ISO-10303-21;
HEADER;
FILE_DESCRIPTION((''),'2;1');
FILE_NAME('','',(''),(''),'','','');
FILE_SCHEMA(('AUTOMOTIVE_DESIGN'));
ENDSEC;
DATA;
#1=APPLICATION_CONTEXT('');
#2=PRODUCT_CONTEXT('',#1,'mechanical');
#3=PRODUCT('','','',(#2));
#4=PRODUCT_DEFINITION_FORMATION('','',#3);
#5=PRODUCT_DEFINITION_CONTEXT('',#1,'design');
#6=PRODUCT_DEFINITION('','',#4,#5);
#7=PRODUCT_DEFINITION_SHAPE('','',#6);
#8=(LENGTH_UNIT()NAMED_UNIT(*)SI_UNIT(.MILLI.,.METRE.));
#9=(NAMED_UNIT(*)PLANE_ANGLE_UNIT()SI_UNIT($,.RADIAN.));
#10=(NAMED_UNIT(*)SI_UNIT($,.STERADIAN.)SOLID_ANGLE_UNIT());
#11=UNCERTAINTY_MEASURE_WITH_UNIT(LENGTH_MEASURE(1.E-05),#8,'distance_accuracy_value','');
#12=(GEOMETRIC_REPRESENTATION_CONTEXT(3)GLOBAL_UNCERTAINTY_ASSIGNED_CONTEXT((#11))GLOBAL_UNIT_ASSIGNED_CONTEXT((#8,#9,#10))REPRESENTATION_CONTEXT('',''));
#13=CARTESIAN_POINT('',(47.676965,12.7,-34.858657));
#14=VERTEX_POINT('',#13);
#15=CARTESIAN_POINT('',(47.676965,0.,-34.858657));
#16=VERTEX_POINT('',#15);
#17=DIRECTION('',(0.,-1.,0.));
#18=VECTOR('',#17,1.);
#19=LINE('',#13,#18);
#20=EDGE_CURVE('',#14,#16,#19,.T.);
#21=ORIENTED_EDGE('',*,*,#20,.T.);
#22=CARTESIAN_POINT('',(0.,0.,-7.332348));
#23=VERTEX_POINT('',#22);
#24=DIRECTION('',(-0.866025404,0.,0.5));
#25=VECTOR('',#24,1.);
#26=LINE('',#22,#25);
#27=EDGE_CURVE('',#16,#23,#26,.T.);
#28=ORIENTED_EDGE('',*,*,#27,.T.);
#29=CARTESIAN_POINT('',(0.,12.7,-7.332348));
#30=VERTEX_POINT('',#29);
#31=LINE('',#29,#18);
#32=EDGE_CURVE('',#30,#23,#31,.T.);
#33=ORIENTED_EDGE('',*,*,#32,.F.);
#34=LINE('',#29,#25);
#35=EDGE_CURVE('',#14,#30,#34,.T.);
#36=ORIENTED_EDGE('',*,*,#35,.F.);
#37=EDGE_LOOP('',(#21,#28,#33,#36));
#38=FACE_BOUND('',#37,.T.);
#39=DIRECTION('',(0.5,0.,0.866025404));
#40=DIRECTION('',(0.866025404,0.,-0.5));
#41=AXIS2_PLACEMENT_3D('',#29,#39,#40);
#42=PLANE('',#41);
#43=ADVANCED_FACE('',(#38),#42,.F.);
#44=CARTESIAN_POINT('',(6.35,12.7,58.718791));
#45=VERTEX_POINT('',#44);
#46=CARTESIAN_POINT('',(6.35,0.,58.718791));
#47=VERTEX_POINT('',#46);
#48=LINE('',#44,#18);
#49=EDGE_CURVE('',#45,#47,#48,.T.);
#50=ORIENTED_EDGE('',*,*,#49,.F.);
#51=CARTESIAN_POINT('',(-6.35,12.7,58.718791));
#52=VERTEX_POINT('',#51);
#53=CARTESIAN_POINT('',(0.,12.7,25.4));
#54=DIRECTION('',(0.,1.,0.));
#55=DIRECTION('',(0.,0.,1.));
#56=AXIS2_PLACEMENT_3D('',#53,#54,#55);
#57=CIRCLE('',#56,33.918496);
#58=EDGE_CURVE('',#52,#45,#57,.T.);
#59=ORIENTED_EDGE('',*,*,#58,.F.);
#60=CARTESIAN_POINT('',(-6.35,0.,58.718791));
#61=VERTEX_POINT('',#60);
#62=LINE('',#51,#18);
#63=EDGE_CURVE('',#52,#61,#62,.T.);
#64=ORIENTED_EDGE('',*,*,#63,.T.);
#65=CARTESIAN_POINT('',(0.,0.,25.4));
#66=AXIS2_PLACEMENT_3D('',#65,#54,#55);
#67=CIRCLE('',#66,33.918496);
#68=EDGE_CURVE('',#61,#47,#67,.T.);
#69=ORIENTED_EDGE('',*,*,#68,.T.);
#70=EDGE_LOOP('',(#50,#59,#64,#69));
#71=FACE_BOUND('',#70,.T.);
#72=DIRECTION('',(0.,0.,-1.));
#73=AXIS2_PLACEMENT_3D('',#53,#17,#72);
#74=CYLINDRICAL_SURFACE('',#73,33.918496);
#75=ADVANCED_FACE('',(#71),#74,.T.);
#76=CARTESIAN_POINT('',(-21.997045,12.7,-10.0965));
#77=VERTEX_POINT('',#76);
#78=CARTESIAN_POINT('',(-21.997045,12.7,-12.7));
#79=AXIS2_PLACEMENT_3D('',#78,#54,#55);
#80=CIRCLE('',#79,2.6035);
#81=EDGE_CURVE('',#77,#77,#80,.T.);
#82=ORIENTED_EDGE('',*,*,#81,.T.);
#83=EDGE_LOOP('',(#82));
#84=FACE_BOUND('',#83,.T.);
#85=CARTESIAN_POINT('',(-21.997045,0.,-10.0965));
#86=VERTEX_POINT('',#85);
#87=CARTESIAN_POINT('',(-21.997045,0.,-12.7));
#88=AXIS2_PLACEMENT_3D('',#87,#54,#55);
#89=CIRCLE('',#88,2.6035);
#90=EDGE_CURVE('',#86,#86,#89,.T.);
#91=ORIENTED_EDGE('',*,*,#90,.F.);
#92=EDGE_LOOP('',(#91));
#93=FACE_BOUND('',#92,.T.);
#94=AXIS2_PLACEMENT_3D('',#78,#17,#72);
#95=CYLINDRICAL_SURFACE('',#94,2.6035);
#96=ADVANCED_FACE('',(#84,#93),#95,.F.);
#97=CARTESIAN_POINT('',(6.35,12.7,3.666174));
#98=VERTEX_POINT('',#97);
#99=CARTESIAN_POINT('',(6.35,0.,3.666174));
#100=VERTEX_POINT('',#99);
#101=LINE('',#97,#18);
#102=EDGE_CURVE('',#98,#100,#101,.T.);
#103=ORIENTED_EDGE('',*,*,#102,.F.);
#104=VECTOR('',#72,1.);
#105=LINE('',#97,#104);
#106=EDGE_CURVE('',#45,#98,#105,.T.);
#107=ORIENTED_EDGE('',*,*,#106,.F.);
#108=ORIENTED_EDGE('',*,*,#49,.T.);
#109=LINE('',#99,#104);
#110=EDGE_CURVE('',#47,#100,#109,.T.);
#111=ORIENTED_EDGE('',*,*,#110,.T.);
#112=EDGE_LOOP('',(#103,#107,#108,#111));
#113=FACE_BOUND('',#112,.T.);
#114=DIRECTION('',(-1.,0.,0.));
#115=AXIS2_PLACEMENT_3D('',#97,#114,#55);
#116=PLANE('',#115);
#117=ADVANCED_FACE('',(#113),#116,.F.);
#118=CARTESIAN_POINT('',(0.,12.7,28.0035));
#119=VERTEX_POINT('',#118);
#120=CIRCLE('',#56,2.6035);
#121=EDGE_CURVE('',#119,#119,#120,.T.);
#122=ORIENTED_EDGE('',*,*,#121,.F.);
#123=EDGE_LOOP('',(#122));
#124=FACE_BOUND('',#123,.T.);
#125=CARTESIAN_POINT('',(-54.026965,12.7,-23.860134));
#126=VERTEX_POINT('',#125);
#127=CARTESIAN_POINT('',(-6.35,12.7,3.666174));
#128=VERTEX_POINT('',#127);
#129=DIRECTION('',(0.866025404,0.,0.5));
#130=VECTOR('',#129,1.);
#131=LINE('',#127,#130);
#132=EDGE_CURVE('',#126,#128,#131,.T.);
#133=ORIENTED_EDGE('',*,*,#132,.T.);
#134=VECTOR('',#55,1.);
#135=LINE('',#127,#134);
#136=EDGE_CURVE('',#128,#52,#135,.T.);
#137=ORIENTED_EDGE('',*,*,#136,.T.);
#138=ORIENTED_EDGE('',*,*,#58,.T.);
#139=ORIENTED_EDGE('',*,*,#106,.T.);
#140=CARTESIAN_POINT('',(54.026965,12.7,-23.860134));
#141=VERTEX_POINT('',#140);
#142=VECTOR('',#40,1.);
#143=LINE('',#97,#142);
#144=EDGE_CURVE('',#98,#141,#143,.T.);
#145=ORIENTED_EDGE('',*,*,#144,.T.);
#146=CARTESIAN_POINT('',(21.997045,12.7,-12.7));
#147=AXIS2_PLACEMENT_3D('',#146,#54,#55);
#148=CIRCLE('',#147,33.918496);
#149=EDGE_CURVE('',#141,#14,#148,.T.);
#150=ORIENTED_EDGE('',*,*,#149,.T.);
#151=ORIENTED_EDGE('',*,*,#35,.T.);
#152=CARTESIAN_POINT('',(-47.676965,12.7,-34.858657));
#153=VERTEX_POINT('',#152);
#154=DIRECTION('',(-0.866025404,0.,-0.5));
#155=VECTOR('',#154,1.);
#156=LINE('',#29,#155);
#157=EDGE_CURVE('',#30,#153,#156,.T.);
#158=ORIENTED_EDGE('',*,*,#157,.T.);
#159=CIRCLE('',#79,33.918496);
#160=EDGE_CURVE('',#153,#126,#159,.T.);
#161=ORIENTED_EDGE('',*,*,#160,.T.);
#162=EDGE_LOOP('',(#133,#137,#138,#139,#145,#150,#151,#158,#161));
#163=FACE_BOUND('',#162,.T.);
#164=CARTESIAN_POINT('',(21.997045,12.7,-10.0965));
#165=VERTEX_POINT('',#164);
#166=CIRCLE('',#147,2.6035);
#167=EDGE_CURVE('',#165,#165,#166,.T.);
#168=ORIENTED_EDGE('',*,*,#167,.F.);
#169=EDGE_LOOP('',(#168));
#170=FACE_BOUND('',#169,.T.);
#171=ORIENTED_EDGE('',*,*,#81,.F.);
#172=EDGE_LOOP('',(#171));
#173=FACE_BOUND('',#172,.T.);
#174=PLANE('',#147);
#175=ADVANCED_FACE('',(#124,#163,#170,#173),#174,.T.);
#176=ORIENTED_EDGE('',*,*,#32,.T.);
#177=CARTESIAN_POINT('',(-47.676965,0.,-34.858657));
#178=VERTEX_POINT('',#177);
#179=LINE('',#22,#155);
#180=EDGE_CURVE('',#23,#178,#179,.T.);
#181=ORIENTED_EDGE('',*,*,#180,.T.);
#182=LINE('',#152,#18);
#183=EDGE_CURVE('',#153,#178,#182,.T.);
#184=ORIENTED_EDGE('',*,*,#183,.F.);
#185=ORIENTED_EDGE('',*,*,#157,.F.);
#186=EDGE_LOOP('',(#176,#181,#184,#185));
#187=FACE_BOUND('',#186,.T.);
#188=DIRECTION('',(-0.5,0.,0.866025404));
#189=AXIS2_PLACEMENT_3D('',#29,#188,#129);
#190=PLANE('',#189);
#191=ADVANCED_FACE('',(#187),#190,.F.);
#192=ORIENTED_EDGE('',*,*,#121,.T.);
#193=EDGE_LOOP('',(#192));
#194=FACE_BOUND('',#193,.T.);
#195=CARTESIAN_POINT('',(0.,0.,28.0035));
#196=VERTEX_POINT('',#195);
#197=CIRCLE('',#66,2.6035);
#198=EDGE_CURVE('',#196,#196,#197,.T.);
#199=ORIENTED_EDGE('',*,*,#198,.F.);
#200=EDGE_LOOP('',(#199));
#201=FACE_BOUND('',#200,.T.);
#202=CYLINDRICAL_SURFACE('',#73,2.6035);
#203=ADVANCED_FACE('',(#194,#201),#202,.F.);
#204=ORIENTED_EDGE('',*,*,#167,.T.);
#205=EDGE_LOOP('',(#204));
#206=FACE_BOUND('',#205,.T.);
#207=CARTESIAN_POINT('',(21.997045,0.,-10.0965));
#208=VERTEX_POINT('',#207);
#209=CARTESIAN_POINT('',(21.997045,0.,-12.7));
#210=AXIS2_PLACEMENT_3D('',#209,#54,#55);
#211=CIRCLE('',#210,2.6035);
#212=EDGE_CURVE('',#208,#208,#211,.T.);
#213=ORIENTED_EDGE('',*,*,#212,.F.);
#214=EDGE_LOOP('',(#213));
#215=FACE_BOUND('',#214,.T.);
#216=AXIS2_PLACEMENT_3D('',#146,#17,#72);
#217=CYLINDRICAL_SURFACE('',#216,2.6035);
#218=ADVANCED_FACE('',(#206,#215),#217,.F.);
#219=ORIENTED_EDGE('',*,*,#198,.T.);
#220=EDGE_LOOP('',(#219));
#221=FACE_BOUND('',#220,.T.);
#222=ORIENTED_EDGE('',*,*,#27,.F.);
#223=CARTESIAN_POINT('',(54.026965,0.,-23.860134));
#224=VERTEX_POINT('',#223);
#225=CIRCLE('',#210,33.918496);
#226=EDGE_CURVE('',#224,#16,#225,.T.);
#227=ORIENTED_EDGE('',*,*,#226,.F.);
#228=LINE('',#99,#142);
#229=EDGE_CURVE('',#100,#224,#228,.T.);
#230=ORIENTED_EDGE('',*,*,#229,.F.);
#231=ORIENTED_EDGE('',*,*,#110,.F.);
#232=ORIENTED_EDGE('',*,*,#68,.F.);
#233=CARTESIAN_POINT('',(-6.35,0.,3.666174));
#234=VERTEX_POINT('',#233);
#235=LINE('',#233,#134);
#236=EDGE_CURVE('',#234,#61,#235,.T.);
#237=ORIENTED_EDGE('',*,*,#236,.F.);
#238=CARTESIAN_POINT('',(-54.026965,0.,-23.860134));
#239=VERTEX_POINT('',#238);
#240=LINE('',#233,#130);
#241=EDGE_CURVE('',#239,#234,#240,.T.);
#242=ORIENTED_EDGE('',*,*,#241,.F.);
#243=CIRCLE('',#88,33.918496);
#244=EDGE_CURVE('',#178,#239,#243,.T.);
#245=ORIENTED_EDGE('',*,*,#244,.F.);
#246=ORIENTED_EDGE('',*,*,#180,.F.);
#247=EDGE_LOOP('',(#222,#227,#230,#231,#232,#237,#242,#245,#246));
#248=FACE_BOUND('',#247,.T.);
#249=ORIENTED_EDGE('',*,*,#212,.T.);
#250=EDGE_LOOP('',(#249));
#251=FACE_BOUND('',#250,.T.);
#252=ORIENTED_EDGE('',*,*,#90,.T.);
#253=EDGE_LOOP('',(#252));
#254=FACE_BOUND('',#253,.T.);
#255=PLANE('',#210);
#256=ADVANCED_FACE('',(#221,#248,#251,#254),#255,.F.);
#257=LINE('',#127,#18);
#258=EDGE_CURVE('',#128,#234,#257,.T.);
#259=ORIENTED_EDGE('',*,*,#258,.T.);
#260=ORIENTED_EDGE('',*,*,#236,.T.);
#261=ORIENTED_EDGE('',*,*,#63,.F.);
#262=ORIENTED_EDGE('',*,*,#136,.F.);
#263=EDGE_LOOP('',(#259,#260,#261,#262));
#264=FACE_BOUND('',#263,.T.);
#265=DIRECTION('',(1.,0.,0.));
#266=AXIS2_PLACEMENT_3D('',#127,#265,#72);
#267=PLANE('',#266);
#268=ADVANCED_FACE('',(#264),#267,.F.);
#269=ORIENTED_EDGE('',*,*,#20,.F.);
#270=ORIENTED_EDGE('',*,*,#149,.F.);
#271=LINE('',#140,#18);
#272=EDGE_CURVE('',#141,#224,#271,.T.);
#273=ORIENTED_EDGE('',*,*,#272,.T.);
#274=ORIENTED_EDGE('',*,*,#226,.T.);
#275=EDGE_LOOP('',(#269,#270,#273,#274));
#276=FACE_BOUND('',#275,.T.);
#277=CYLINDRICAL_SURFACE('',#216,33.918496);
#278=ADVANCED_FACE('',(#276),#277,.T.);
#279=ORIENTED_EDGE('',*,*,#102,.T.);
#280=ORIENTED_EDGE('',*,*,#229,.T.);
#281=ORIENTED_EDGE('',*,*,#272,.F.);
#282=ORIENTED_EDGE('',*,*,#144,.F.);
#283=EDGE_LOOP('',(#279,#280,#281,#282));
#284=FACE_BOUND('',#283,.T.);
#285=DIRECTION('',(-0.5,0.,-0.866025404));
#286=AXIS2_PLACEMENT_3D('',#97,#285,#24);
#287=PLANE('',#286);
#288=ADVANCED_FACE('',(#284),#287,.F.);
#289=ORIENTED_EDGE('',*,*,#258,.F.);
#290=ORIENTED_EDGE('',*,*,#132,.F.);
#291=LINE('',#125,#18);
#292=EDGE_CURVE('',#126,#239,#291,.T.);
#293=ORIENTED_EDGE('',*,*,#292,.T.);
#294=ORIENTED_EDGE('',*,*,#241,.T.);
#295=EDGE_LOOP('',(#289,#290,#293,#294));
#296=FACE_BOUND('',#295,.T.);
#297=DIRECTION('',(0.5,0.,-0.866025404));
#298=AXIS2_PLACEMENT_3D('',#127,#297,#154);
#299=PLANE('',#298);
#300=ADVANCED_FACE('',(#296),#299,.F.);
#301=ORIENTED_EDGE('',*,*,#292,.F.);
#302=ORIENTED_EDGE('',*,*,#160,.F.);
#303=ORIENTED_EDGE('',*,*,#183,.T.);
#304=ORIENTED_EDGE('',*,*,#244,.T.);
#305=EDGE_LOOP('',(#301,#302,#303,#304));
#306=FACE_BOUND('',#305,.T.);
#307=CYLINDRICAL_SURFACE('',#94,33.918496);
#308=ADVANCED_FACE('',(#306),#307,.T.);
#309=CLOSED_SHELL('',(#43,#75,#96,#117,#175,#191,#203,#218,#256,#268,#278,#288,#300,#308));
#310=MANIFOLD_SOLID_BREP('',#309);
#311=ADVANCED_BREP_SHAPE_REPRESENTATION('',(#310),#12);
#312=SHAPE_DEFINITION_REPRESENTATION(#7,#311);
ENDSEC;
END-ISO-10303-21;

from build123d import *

# Parameters (mm, degrees)
SKETCH1_R           = 2.6035
BOSS_EXTRUDE1_DEPTH = 12.7


with BuildPart() as part:
    # Sketch1 → Boss-Extrude1 (new body)
    with BuildSketch(Plane(origin=(0, 0, 0), x_dir=(1, 0, 0), z_dir=(0, 1, 0))):
        with BuildLine():
            Line((6.35, -3.666174209), (6.35, -58.718791294))
            ThreePointArc((6.35, -58.718791294), (0, -59.31849574), (-6.35, -58.718791294))
            Line((-6.35, -58.718791294), (-6.35, -3.666174209))
            Line((-6.35, -3.666174209), (-54.02696494, 23.860134333))
            ThreePointArc((-54.02696494, 23.860134333), (-51.371324225, 29.65924787), (-47.67696494, 34.858656961))
            Line((-47.67696494, 34.858656961), (0, 7.332348419))
            Line((0, 7.332348419), (47.67696494, 34.858656961))
            ThreePointArc((47.67696494, 34.858656961), (51.371324225, 29.65924787), (54.02696494, 23.860134333))
            Line((54.02696494, 23.860134333), (6.35, -3.666174209))
        make_face()
        with Locations(Location((0, -25.4, 0), (0, 0, 270))):
            Circle(SKETCH1_R, mode=Mode.SUBTRACT)
        with Locations(Location((-21.997045256, 12.7, 0), (0, 0, 270))):
            Circle(SKETCH1_R, mode=Mode.SUBTRACT)
        with Locations(Location((21.997045256, 12.7, 0), (0, 0, 270))):
            Circle(SKETCH1_R, mode=Mode.SUBTRACT)
    extrude(amount=BOSS_EXTRUDE1_DEPTH)


solid = part.part
